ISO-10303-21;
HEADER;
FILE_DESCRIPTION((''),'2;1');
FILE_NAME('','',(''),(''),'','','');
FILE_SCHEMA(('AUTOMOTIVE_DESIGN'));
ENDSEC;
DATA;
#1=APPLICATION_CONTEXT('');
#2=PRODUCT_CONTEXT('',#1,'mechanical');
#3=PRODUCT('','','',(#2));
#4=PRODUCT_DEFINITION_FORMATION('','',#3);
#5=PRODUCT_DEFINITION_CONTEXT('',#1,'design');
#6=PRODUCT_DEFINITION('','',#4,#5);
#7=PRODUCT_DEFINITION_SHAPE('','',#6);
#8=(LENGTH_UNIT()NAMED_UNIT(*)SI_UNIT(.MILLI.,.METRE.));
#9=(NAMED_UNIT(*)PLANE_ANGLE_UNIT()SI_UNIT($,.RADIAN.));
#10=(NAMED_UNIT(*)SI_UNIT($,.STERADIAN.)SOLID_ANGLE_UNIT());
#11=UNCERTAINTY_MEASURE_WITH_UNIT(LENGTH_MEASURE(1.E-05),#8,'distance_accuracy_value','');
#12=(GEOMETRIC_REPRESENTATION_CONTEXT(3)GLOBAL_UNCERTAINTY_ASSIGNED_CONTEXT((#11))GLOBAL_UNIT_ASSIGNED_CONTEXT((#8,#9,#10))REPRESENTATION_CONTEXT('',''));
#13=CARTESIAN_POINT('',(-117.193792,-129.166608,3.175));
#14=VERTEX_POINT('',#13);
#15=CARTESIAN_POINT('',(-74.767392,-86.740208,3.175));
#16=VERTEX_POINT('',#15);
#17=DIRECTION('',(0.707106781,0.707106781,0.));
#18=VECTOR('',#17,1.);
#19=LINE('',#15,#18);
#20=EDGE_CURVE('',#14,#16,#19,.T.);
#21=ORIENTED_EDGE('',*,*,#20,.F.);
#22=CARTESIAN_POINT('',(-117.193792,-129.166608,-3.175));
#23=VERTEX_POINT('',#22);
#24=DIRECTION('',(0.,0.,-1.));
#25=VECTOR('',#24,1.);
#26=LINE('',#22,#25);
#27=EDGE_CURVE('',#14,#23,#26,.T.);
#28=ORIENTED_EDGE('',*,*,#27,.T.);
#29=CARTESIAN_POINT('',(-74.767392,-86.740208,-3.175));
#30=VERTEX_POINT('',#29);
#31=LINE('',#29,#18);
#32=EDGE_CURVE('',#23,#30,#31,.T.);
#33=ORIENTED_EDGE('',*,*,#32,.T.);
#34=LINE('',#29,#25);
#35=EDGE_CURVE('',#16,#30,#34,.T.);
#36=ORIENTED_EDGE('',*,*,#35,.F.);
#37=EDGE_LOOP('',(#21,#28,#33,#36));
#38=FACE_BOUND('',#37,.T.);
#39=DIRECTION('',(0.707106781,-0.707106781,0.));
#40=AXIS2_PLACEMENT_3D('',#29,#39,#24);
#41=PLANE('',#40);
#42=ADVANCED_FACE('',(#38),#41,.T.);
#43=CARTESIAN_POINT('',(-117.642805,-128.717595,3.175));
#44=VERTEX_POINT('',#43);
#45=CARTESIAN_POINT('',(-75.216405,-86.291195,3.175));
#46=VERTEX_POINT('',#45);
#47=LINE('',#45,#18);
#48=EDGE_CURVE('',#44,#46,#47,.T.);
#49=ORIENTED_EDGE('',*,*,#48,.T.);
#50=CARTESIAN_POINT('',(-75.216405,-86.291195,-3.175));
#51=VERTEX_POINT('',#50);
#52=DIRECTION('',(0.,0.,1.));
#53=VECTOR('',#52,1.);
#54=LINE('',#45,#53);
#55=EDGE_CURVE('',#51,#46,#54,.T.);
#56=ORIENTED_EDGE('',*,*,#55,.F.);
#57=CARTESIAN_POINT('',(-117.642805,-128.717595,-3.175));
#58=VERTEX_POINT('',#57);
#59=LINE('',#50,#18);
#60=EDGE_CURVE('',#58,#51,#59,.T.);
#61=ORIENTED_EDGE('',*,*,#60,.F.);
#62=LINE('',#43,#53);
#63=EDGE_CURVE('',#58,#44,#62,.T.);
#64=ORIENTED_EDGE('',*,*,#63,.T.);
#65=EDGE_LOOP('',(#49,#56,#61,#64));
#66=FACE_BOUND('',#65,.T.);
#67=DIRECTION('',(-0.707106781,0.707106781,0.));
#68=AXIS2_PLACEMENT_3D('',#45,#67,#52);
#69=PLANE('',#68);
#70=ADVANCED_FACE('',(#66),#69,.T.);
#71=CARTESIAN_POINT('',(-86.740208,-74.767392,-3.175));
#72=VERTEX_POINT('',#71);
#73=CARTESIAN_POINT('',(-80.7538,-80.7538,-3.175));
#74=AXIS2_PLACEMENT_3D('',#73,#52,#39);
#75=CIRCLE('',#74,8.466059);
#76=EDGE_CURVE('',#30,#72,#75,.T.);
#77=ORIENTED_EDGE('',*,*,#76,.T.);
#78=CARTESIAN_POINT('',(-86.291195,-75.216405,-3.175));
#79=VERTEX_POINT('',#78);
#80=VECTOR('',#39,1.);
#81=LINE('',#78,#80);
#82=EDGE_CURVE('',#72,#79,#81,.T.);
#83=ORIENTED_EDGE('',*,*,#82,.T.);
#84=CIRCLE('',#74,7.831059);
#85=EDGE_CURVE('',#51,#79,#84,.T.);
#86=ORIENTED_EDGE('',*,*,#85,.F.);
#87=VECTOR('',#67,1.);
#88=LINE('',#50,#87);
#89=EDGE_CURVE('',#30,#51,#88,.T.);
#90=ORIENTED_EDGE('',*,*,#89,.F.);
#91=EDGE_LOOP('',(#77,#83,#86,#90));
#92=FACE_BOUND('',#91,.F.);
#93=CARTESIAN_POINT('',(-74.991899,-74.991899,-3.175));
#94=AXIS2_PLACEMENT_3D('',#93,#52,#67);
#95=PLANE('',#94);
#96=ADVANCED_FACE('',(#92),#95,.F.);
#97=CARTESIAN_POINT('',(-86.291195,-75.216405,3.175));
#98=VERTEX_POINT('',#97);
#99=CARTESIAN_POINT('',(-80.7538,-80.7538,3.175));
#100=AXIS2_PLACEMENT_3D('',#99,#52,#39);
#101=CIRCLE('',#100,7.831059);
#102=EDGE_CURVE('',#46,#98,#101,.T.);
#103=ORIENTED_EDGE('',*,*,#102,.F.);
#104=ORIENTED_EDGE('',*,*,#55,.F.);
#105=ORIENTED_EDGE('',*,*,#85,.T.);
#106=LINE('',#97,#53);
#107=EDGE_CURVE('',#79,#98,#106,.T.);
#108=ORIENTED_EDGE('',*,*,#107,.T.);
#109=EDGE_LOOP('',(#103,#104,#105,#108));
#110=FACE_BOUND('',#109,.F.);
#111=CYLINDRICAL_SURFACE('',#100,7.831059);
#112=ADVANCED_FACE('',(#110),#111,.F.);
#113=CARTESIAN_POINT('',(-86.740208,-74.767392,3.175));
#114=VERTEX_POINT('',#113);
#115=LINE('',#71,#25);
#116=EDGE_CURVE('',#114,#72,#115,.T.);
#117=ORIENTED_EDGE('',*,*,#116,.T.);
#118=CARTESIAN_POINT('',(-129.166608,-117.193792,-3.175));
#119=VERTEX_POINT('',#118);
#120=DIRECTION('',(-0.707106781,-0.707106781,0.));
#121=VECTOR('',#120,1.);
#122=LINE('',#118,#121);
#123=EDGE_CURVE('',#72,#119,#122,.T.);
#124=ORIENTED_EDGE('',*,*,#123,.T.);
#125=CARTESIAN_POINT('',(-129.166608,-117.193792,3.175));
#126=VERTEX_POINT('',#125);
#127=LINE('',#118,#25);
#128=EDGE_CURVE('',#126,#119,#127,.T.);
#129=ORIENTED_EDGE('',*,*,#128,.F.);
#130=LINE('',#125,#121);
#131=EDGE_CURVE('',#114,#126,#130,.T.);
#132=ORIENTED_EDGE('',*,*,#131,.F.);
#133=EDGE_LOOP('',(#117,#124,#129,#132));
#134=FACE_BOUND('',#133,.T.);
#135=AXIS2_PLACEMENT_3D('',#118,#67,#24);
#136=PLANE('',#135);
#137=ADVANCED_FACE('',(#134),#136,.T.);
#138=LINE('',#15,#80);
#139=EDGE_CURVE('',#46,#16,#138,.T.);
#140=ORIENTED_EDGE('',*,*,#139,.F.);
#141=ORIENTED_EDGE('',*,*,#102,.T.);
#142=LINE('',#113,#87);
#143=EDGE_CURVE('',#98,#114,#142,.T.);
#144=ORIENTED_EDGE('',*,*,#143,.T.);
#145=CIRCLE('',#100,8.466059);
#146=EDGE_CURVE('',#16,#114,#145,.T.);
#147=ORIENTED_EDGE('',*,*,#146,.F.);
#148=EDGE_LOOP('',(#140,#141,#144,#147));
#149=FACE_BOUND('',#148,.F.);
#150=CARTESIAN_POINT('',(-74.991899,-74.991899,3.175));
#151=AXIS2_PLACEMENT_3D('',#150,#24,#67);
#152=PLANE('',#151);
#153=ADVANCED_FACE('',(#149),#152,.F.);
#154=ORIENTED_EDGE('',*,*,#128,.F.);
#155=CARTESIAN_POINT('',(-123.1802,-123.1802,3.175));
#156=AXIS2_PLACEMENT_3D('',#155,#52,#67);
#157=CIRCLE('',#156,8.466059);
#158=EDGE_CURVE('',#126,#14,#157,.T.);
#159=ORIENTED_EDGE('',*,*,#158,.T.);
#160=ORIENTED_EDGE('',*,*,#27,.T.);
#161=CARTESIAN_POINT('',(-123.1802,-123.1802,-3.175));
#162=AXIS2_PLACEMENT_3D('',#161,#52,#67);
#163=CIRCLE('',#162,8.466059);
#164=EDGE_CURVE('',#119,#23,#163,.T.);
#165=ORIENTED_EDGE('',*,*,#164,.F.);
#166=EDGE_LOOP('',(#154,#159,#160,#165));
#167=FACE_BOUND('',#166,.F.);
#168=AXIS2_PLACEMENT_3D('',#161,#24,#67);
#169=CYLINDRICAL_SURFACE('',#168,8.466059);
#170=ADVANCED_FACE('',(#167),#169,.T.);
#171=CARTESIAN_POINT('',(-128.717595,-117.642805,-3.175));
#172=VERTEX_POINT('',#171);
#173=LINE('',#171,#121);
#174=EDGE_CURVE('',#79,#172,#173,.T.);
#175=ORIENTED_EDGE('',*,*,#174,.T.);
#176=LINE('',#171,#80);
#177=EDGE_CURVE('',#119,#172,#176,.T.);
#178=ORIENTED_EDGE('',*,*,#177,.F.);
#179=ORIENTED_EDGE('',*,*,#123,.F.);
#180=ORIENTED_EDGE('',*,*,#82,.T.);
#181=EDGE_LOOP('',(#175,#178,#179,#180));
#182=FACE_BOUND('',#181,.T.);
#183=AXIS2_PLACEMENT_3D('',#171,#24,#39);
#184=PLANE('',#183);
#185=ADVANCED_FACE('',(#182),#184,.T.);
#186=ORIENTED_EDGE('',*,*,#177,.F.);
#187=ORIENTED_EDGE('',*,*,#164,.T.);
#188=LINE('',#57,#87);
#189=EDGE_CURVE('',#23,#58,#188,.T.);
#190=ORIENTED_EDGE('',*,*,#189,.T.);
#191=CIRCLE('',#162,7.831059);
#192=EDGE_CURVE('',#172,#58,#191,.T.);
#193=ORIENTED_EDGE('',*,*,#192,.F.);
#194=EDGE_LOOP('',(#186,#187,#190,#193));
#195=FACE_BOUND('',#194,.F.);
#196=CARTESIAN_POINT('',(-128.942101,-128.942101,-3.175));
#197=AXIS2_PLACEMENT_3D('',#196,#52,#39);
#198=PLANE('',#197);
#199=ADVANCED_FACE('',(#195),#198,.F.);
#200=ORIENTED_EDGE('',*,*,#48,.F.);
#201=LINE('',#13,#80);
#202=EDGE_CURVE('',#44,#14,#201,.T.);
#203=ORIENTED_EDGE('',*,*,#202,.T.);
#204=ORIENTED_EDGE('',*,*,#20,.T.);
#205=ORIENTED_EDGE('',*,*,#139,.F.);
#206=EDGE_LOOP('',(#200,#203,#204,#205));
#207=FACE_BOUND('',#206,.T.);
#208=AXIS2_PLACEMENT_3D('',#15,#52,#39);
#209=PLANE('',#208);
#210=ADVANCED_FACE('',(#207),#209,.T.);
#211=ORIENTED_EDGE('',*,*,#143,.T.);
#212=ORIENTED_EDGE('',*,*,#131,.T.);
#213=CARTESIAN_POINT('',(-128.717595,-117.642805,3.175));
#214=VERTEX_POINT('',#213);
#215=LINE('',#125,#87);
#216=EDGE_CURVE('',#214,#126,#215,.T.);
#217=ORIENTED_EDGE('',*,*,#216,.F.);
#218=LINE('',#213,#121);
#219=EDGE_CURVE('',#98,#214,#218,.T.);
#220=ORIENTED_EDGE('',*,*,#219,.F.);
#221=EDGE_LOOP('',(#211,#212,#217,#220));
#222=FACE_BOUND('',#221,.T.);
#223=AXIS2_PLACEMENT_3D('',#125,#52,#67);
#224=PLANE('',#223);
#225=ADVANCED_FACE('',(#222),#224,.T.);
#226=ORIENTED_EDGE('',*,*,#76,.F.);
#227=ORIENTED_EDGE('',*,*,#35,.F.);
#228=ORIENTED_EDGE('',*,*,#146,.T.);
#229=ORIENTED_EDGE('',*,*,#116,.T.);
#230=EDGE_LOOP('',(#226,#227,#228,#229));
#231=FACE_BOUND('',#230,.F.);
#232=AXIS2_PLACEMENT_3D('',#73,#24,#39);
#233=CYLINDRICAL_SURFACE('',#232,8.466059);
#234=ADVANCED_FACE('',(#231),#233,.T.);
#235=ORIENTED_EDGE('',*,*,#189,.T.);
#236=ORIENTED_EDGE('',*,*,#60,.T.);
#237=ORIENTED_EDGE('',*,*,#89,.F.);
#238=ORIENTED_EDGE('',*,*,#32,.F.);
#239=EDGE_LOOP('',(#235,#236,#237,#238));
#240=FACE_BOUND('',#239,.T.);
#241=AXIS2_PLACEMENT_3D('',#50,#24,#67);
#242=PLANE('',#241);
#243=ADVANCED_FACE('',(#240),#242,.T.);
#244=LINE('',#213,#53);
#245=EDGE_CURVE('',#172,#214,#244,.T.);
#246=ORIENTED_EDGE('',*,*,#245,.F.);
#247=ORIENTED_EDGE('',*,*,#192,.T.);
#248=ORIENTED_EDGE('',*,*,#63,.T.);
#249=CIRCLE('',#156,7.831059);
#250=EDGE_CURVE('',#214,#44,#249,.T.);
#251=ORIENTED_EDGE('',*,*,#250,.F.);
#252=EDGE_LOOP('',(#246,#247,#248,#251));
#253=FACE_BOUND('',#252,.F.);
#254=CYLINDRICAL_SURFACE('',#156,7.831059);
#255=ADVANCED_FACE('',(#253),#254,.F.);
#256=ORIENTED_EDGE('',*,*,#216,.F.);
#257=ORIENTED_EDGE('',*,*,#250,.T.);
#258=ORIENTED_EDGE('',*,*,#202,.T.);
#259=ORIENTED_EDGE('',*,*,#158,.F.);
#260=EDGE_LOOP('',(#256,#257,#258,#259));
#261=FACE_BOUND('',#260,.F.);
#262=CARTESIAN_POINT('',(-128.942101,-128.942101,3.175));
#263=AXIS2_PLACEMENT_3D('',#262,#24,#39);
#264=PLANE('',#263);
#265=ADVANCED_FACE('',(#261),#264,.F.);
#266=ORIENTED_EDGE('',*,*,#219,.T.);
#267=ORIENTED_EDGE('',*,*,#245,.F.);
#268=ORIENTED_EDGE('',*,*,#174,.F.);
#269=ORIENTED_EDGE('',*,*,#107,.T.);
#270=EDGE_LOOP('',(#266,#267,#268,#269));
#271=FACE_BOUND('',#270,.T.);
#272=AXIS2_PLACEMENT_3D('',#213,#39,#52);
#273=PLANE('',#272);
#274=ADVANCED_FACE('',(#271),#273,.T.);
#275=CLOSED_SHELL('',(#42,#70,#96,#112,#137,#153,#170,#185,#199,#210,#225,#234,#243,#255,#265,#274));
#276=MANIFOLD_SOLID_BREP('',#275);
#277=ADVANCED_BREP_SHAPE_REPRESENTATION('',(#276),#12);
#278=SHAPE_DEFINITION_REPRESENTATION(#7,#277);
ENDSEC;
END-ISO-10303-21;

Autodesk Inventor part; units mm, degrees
sketch "Sketch Path" plane through (0, 0, 0) normal (0, 0, 1) x (1, 0, 0)
  arc A0 (-128.8972, -117.4632) -> (-117.4632, -128.8972) centre (-123.1802, -123.1802) ccw
  arc A1 (-75.0368, -86.4708) -> (-86.4708, -75.0368) centre (-80.7538, -80.7538) ccw
  line L0 (-75.0368, -86.4708) -> (-117.4632, -128.8972)
  line L1 (-128.8972, -117.4632) -> (-86.4708, -75.0368)
ref_plane "Cross Section Plane" through (-117.4632, -128.8972, 0) normal (0.7071, 0.7071, 0) x (0, 0, 1)
ref_plane "Work Plane2" through (-123.1802, -123.1802, 0) normal (-1, 0, 0) x (0, 0, 1)
ref_plane "Work Plane3" through (-80.7538, -80.7538, 0) normal (-0.8049, -0.5934, 0) x (0, 0, 1)
sketch "Cross Section" plane through (-117.4632, -128.8972, 0) normal (0.7071, 0.7071, 0) x (0, 0, 1)
  line L0 (-3.175, 0.381) -> (3.175, 0.381)
  line L1 (3.175, 0.381) -> (3.175, -0.254)
  line L2 (3.175, -0.254) -> (-3.175, -0.254)
  line L3 (-3.175, -0.254) -> (-3.175, 0.381)
  line L4 (-3.175, 0) -> (3.175, 0) construction
  point P0 (0, 0)
  point P1 (0, 0)
  dimension "d0" = 6.35
  dimension "d4" = 0.254
  dimension "d5" = 0.381
sweep "Belt" add profiles "Cross Section" path "Sketch Path"
equation "\"d0\" = da_B"
equation "\"d4\" = da_a"
equation "\"d5\" = da_a2"
equation "\"da_B\" = 6.35"
equation "\"da_pb\" = 2.032"
equation "\"da_L\" = 170.8"
equation "\"da_a\" = 0.254"
equation "\"da_S\" = 1.143"
equation "\"da_Beta\" = 20deg"
equation "\"da_Ht\" = 0.508"
equation "\"da_H\" = 1.143"
equation "\"da_a2\" = 0.381"
properties part number "Synchronous Belt" material "Rubber"
